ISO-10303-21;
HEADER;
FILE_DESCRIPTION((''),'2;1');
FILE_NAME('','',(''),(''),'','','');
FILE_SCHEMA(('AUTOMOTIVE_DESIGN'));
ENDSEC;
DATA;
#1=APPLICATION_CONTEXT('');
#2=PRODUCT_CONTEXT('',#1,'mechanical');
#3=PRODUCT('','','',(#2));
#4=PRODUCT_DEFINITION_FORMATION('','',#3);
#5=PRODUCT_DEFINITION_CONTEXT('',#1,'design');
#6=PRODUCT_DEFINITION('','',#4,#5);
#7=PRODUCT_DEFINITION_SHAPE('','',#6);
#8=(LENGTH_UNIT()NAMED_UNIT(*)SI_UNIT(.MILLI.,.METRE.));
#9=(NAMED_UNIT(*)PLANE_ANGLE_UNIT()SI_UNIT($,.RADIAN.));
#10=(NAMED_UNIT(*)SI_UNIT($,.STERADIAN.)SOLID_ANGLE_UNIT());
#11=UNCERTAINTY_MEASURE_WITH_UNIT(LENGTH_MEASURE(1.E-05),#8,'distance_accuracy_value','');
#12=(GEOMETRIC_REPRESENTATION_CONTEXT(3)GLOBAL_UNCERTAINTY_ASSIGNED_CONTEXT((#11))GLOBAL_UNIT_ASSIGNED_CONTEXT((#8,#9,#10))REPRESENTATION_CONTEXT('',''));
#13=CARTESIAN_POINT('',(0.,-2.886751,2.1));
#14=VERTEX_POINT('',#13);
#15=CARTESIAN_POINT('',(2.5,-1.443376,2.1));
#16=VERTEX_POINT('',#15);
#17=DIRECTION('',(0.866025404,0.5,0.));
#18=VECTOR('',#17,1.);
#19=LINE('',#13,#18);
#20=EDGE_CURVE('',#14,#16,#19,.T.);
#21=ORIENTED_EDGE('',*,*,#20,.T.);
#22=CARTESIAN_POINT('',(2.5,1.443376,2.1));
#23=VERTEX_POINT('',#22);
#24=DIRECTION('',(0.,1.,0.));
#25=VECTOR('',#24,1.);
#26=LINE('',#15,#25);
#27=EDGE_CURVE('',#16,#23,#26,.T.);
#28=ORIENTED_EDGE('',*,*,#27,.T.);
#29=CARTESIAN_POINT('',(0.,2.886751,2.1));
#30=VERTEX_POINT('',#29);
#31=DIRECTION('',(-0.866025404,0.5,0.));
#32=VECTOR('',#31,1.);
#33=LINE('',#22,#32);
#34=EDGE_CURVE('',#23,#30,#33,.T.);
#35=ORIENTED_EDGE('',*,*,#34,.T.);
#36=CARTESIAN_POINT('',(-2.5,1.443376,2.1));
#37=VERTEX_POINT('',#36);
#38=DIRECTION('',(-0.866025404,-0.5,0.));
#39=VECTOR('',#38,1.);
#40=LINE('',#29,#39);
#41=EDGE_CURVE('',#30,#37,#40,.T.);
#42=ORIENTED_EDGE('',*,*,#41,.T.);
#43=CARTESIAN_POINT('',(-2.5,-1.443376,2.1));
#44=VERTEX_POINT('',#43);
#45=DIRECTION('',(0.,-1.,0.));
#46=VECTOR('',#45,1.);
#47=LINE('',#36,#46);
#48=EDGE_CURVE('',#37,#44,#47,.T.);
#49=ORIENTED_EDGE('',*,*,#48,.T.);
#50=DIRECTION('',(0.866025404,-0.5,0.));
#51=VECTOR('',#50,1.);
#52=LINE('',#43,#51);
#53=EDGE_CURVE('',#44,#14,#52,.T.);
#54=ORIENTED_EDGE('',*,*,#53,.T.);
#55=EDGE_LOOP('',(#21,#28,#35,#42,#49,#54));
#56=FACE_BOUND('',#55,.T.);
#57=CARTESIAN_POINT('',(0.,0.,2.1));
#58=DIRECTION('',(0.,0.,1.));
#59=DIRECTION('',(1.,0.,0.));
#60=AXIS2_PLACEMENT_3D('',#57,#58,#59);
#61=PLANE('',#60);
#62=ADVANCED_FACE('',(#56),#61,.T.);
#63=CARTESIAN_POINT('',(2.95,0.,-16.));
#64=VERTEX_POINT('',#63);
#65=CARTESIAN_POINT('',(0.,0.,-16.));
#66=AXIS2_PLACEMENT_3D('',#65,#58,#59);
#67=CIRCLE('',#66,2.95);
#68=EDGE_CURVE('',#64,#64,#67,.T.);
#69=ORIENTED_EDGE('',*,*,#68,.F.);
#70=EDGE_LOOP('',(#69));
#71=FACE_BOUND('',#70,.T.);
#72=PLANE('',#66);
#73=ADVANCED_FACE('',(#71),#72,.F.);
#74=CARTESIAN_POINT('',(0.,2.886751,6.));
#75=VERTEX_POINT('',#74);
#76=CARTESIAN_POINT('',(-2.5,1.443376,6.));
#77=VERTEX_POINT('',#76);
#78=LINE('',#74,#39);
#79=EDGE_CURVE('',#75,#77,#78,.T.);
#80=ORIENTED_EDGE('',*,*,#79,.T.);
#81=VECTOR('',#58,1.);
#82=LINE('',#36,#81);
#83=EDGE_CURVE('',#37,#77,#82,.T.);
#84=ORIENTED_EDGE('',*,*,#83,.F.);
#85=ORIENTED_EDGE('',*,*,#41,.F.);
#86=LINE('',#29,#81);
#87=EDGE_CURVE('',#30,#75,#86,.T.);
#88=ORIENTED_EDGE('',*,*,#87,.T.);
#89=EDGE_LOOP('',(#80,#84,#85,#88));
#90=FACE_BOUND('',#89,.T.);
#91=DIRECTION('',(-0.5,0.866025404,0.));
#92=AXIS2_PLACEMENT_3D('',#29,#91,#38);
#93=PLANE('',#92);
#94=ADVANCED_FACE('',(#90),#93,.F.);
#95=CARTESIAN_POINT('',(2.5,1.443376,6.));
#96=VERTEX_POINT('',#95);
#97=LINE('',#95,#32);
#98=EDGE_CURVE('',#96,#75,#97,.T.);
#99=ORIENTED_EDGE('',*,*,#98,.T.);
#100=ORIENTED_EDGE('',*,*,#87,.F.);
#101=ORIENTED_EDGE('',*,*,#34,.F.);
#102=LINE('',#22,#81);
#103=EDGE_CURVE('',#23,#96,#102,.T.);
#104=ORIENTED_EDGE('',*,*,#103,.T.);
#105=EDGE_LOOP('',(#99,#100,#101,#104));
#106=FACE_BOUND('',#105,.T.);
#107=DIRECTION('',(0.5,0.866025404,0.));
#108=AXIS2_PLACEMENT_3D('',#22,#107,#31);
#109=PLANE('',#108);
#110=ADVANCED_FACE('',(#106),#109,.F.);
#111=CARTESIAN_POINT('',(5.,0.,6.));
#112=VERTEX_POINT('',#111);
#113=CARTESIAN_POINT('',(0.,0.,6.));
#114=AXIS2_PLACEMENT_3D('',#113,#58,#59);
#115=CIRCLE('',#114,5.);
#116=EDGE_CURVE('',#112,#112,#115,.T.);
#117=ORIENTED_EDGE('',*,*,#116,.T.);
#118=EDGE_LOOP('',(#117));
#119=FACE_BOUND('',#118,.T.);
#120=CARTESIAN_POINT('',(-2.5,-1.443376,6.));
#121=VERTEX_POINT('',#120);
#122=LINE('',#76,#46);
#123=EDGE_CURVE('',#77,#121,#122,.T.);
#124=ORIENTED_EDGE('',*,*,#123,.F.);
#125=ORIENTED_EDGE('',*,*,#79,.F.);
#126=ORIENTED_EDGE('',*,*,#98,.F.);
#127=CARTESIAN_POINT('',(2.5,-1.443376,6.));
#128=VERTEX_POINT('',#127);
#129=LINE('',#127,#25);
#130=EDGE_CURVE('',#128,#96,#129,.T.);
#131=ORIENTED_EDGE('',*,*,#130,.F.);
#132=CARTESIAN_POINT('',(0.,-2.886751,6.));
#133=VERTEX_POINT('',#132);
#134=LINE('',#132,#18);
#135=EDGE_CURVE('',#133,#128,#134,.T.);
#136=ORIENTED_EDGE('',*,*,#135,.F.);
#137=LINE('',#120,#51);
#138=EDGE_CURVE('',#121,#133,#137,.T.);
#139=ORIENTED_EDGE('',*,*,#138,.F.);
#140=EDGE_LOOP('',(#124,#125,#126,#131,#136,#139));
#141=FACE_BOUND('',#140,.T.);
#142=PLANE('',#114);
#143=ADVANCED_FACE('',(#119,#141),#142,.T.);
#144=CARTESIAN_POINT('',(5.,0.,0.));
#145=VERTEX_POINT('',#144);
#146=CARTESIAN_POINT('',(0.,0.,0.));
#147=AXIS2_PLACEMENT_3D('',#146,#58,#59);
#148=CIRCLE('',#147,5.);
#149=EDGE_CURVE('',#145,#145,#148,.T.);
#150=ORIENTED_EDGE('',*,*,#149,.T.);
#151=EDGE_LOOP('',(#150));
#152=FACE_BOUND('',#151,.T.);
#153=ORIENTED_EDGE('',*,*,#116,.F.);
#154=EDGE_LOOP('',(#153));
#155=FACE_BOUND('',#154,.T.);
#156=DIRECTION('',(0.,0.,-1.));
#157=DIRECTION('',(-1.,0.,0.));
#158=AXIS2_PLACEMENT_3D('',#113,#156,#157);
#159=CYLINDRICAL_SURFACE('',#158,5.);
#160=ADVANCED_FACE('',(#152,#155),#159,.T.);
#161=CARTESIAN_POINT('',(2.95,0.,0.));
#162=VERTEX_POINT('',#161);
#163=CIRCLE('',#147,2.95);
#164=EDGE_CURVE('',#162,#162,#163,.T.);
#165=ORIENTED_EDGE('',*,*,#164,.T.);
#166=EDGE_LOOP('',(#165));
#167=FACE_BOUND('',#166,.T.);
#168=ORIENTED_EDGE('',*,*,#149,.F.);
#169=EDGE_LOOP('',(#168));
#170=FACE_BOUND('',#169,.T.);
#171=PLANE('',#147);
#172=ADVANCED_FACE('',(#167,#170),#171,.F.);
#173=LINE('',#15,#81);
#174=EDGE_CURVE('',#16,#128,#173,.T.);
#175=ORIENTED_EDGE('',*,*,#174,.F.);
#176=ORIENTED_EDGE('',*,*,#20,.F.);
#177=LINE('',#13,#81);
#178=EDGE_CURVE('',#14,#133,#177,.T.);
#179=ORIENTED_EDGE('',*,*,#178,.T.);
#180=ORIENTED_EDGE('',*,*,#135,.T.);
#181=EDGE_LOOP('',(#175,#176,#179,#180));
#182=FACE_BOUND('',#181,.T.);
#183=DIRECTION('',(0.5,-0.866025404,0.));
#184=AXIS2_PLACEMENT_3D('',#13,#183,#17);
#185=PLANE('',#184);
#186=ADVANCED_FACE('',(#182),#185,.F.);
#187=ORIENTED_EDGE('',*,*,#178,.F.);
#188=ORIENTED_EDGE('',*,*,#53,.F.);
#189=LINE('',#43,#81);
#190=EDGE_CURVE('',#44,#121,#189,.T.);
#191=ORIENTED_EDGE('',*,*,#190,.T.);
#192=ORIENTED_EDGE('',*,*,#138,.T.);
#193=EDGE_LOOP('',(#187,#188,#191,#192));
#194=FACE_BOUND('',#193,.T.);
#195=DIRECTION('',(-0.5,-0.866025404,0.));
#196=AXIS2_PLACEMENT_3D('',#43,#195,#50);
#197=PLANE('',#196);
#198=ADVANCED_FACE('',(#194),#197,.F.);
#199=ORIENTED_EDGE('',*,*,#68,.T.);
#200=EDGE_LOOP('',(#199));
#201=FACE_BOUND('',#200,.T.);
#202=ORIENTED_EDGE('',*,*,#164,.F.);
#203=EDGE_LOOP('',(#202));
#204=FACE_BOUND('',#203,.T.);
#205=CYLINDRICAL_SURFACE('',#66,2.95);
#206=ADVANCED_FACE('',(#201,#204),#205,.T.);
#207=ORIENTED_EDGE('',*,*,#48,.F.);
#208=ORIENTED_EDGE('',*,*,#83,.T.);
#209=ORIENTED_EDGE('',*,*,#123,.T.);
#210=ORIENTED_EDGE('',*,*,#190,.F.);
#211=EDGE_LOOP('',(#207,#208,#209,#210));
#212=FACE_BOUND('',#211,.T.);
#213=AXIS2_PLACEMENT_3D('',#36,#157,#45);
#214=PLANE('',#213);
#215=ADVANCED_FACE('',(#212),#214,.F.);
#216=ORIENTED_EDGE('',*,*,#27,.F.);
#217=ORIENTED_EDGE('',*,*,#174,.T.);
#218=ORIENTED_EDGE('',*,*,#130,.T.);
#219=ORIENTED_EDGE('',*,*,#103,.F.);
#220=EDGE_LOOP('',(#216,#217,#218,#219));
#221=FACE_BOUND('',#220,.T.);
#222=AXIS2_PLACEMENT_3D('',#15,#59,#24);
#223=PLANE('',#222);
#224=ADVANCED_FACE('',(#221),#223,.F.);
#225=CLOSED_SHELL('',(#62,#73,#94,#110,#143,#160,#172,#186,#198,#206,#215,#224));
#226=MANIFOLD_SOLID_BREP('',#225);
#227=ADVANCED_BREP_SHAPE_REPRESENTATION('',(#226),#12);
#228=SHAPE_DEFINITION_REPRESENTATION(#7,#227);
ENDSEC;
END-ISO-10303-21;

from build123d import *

# Parameters (mm, degrees)
SKETCH_1_R                     = 2.95
SHANK_THREADS_SIMPLIFIED_DEPTH = 16
SKETCH_2_R                     = 5
SOCKET_HEAD_DEPTH              = 6
HEX_SOCKET_DEPTH               = 3.9


with BuildPart() as part:
    # 草图1 → Shank_threads_simplified (new body)
    with BuildSketch(Plane.XY):
        Circle(SKETCH_1_R)
    extrude(amount=-SHANK_THREADS_SIMPLIFIED_DEPTH)

    # 草图2 → Socket_head (add)
    with BuildSketch(Plane.XY):
        Circle(SKETCH_2_R)
    extrude(amount=SOCKET_HEAD_DEPTH)

    # 草图3 → Hex_socket (cut)
    with BuildSketch(Plane.XY.offset(6)):
        Polygon((2.5, 1.443375673), (0, 2.886751346), (-2.5, 1.443375673), (-2.5, -1.443375673), (0, -2.886751346), (2.5, -1.443375673), align=None)
    extrude(amount=-HEX_SOCKET_DEPTH, mode=Mode.SUBTRACT)


solid = part.part
